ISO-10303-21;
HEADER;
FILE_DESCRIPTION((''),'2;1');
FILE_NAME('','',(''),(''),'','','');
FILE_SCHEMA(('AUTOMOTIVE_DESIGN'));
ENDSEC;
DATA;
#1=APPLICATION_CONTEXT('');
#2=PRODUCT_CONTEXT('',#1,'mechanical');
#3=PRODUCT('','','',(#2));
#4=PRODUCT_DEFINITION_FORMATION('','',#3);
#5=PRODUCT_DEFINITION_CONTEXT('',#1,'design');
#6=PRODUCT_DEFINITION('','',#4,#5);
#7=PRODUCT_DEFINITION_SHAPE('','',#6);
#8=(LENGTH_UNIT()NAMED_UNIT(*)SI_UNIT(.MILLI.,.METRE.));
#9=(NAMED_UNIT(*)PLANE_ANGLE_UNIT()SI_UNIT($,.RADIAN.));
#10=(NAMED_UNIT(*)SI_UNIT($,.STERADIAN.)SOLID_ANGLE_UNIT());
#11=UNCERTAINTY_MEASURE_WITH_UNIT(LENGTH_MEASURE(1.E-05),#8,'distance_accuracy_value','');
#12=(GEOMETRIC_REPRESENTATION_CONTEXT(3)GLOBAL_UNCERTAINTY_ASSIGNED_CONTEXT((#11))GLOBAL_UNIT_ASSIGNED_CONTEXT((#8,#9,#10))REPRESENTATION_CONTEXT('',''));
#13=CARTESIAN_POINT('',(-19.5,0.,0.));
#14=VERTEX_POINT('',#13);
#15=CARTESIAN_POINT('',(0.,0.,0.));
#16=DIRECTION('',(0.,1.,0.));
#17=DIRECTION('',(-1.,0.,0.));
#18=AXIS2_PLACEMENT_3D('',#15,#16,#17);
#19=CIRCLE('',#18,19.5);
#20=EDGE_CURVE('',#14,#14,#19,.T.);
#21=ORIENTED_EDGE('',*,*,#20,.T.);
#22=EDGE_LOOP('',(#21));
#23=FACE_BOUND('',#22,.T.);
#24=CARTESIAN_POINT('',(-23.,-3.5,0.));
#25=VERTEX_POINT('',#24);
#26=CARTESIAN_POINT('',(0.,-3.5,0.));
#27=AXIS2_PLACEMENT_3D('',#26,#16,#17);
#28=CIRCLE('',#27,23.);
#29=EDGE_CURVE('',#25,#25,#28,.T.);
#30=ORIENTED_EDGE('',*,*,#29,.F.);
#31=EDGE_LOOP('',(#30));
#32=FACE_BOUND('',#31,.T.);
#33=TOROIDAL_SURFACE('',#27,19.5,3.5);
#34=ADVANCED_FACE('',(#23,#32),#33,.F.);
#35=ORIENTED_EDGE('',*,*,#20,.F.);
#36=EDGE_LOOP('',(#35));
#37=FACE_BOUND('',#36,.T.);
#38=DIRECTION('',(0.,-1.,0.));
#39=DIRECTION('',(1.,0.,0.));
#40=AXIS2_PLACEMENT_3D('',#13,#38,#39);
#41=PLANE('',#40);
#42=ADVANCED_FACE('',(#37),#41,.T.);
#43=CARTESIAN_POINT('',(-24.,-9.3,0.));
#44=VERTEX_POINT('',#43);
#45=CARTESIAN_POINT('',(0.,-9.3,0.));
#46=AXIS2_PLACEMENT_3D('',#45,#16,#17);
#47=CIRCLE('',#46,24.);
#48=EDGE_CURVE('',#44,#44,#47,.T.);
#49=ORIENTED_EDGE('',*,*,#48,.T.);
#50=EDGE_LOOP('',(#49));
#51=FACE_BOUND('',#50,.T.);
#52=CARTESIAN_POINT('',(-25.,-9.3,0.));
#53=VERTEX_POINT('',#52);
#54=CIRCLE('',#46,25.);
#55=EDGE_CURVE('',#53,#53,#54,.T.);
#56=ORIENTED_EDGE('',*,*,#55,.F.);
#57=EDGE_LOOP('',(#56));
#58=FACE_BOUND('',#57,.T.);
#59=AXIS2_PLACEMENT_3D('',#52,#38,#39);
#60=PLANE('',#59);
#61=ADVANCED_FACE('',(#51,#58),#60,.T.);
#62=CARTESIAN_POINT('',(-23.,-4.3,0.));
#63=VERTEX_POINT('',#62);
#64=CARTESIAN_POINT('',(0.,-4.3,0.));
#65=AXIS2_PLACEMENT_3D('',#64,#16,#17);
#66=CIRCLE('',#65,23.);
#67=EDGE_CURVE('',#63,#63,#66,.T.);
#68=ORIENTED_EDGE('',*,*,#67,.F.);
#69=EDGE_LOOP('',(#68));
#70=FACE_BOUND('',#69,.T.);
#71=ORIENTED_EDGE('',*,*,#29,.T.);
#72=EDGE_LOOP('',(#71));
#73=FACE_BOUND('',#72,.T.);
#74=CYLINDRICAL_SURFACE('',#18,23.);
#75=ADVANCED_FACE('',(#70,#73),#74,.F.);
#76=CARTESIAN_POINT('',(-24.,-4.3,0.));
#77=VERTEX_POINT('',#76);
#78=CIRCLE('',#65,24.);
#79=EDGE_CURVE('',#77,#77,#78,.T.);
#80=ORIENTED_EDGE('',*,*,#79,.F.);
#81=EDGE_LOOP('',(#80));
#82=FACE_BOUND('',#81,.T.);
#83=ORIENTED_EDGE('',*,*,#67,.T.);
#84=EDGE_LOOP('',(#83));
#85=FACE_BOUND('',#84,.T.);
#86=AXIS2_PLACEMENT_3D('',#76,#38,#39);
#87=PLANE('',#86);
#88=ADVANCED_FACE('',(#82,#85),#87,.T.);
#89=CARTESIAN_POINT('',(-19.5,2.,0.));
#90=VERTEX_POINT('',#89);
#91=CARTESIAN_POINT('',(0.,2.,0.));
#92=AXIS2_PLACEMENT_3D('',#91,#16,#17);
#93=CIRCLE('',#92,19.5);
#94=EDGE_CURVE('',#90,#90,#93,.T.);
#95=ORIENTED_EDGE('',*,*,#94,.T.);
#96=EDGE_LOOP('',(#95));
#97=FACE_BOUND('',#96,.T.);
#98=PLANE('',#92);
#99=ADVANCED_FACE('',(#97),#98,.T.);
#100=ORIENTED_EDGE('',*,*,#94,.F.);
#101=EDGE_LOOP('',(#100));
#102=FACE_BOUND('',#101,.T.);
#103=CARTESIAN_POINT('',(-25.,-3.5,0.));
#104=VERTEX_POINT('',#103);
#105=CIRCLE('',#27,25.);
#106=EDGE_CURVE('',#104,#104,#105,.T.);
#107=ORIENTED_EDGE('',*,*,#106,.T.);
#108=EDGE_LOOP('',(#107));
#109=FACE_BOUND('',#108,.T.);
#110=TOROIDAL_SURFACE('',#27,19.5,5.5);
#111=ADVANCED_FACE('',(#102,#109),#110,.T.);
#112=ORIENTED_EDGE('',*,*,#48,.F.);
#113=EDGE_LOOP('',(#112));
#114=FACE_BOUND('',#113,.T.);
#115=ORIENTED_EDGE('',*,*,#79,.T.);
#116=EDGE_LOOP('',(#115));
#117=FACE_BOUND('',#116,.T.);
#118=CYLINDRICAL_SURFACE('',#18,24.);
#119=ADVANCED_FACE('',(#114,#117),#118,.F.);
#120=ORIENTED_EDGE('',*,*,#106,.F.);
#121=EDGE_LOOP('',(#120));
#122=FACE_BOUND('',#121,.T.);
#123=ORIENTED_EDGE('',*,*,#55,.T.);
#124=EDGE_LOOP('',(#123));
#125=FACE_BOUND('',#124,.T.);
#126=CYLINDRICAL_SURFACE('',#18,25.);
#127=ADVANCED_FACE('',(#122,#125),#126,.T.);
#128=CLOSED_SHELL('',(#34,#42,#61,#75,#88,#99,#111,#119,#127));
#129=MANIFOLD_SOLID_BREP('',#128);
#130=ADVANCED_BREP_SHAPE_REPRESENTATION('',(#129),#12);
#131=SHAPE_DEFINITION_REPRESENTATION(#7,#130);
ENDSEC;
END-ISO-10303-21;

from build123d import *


with BuildPart() as part:
    # Sketch1 → Revolve1 (revolve)
    with BuildSketch(Plane.XY):
        with BuildLine():
            Line((0, 0), (0, 2))
            Line((0, 2), (-19.5, 2))
            ThreePointArc((-19.5, 2), (-23.389087297, 0.389087297), (-25, -3.5))
            Line((-25, -3.5), (-25, -9.3))
            Line((-25, -9.3), (-24, -9.3))
            Line((-24, -9.3), (-24, -4.3))
            Line((-24, -4.3), (-23, -4.3))
            Line((-23, -4.3), (-23, -3.5))
            ThreePointArc((-23, -3.5), (-21.974873734, -1.025126266), (-19.5, 0))
            Line((-19.5, 0), (0, 0))
        make_face()
    revolve(axis=Axis((0, 0, 0), (0, -1, 0)))


solid = part.part
